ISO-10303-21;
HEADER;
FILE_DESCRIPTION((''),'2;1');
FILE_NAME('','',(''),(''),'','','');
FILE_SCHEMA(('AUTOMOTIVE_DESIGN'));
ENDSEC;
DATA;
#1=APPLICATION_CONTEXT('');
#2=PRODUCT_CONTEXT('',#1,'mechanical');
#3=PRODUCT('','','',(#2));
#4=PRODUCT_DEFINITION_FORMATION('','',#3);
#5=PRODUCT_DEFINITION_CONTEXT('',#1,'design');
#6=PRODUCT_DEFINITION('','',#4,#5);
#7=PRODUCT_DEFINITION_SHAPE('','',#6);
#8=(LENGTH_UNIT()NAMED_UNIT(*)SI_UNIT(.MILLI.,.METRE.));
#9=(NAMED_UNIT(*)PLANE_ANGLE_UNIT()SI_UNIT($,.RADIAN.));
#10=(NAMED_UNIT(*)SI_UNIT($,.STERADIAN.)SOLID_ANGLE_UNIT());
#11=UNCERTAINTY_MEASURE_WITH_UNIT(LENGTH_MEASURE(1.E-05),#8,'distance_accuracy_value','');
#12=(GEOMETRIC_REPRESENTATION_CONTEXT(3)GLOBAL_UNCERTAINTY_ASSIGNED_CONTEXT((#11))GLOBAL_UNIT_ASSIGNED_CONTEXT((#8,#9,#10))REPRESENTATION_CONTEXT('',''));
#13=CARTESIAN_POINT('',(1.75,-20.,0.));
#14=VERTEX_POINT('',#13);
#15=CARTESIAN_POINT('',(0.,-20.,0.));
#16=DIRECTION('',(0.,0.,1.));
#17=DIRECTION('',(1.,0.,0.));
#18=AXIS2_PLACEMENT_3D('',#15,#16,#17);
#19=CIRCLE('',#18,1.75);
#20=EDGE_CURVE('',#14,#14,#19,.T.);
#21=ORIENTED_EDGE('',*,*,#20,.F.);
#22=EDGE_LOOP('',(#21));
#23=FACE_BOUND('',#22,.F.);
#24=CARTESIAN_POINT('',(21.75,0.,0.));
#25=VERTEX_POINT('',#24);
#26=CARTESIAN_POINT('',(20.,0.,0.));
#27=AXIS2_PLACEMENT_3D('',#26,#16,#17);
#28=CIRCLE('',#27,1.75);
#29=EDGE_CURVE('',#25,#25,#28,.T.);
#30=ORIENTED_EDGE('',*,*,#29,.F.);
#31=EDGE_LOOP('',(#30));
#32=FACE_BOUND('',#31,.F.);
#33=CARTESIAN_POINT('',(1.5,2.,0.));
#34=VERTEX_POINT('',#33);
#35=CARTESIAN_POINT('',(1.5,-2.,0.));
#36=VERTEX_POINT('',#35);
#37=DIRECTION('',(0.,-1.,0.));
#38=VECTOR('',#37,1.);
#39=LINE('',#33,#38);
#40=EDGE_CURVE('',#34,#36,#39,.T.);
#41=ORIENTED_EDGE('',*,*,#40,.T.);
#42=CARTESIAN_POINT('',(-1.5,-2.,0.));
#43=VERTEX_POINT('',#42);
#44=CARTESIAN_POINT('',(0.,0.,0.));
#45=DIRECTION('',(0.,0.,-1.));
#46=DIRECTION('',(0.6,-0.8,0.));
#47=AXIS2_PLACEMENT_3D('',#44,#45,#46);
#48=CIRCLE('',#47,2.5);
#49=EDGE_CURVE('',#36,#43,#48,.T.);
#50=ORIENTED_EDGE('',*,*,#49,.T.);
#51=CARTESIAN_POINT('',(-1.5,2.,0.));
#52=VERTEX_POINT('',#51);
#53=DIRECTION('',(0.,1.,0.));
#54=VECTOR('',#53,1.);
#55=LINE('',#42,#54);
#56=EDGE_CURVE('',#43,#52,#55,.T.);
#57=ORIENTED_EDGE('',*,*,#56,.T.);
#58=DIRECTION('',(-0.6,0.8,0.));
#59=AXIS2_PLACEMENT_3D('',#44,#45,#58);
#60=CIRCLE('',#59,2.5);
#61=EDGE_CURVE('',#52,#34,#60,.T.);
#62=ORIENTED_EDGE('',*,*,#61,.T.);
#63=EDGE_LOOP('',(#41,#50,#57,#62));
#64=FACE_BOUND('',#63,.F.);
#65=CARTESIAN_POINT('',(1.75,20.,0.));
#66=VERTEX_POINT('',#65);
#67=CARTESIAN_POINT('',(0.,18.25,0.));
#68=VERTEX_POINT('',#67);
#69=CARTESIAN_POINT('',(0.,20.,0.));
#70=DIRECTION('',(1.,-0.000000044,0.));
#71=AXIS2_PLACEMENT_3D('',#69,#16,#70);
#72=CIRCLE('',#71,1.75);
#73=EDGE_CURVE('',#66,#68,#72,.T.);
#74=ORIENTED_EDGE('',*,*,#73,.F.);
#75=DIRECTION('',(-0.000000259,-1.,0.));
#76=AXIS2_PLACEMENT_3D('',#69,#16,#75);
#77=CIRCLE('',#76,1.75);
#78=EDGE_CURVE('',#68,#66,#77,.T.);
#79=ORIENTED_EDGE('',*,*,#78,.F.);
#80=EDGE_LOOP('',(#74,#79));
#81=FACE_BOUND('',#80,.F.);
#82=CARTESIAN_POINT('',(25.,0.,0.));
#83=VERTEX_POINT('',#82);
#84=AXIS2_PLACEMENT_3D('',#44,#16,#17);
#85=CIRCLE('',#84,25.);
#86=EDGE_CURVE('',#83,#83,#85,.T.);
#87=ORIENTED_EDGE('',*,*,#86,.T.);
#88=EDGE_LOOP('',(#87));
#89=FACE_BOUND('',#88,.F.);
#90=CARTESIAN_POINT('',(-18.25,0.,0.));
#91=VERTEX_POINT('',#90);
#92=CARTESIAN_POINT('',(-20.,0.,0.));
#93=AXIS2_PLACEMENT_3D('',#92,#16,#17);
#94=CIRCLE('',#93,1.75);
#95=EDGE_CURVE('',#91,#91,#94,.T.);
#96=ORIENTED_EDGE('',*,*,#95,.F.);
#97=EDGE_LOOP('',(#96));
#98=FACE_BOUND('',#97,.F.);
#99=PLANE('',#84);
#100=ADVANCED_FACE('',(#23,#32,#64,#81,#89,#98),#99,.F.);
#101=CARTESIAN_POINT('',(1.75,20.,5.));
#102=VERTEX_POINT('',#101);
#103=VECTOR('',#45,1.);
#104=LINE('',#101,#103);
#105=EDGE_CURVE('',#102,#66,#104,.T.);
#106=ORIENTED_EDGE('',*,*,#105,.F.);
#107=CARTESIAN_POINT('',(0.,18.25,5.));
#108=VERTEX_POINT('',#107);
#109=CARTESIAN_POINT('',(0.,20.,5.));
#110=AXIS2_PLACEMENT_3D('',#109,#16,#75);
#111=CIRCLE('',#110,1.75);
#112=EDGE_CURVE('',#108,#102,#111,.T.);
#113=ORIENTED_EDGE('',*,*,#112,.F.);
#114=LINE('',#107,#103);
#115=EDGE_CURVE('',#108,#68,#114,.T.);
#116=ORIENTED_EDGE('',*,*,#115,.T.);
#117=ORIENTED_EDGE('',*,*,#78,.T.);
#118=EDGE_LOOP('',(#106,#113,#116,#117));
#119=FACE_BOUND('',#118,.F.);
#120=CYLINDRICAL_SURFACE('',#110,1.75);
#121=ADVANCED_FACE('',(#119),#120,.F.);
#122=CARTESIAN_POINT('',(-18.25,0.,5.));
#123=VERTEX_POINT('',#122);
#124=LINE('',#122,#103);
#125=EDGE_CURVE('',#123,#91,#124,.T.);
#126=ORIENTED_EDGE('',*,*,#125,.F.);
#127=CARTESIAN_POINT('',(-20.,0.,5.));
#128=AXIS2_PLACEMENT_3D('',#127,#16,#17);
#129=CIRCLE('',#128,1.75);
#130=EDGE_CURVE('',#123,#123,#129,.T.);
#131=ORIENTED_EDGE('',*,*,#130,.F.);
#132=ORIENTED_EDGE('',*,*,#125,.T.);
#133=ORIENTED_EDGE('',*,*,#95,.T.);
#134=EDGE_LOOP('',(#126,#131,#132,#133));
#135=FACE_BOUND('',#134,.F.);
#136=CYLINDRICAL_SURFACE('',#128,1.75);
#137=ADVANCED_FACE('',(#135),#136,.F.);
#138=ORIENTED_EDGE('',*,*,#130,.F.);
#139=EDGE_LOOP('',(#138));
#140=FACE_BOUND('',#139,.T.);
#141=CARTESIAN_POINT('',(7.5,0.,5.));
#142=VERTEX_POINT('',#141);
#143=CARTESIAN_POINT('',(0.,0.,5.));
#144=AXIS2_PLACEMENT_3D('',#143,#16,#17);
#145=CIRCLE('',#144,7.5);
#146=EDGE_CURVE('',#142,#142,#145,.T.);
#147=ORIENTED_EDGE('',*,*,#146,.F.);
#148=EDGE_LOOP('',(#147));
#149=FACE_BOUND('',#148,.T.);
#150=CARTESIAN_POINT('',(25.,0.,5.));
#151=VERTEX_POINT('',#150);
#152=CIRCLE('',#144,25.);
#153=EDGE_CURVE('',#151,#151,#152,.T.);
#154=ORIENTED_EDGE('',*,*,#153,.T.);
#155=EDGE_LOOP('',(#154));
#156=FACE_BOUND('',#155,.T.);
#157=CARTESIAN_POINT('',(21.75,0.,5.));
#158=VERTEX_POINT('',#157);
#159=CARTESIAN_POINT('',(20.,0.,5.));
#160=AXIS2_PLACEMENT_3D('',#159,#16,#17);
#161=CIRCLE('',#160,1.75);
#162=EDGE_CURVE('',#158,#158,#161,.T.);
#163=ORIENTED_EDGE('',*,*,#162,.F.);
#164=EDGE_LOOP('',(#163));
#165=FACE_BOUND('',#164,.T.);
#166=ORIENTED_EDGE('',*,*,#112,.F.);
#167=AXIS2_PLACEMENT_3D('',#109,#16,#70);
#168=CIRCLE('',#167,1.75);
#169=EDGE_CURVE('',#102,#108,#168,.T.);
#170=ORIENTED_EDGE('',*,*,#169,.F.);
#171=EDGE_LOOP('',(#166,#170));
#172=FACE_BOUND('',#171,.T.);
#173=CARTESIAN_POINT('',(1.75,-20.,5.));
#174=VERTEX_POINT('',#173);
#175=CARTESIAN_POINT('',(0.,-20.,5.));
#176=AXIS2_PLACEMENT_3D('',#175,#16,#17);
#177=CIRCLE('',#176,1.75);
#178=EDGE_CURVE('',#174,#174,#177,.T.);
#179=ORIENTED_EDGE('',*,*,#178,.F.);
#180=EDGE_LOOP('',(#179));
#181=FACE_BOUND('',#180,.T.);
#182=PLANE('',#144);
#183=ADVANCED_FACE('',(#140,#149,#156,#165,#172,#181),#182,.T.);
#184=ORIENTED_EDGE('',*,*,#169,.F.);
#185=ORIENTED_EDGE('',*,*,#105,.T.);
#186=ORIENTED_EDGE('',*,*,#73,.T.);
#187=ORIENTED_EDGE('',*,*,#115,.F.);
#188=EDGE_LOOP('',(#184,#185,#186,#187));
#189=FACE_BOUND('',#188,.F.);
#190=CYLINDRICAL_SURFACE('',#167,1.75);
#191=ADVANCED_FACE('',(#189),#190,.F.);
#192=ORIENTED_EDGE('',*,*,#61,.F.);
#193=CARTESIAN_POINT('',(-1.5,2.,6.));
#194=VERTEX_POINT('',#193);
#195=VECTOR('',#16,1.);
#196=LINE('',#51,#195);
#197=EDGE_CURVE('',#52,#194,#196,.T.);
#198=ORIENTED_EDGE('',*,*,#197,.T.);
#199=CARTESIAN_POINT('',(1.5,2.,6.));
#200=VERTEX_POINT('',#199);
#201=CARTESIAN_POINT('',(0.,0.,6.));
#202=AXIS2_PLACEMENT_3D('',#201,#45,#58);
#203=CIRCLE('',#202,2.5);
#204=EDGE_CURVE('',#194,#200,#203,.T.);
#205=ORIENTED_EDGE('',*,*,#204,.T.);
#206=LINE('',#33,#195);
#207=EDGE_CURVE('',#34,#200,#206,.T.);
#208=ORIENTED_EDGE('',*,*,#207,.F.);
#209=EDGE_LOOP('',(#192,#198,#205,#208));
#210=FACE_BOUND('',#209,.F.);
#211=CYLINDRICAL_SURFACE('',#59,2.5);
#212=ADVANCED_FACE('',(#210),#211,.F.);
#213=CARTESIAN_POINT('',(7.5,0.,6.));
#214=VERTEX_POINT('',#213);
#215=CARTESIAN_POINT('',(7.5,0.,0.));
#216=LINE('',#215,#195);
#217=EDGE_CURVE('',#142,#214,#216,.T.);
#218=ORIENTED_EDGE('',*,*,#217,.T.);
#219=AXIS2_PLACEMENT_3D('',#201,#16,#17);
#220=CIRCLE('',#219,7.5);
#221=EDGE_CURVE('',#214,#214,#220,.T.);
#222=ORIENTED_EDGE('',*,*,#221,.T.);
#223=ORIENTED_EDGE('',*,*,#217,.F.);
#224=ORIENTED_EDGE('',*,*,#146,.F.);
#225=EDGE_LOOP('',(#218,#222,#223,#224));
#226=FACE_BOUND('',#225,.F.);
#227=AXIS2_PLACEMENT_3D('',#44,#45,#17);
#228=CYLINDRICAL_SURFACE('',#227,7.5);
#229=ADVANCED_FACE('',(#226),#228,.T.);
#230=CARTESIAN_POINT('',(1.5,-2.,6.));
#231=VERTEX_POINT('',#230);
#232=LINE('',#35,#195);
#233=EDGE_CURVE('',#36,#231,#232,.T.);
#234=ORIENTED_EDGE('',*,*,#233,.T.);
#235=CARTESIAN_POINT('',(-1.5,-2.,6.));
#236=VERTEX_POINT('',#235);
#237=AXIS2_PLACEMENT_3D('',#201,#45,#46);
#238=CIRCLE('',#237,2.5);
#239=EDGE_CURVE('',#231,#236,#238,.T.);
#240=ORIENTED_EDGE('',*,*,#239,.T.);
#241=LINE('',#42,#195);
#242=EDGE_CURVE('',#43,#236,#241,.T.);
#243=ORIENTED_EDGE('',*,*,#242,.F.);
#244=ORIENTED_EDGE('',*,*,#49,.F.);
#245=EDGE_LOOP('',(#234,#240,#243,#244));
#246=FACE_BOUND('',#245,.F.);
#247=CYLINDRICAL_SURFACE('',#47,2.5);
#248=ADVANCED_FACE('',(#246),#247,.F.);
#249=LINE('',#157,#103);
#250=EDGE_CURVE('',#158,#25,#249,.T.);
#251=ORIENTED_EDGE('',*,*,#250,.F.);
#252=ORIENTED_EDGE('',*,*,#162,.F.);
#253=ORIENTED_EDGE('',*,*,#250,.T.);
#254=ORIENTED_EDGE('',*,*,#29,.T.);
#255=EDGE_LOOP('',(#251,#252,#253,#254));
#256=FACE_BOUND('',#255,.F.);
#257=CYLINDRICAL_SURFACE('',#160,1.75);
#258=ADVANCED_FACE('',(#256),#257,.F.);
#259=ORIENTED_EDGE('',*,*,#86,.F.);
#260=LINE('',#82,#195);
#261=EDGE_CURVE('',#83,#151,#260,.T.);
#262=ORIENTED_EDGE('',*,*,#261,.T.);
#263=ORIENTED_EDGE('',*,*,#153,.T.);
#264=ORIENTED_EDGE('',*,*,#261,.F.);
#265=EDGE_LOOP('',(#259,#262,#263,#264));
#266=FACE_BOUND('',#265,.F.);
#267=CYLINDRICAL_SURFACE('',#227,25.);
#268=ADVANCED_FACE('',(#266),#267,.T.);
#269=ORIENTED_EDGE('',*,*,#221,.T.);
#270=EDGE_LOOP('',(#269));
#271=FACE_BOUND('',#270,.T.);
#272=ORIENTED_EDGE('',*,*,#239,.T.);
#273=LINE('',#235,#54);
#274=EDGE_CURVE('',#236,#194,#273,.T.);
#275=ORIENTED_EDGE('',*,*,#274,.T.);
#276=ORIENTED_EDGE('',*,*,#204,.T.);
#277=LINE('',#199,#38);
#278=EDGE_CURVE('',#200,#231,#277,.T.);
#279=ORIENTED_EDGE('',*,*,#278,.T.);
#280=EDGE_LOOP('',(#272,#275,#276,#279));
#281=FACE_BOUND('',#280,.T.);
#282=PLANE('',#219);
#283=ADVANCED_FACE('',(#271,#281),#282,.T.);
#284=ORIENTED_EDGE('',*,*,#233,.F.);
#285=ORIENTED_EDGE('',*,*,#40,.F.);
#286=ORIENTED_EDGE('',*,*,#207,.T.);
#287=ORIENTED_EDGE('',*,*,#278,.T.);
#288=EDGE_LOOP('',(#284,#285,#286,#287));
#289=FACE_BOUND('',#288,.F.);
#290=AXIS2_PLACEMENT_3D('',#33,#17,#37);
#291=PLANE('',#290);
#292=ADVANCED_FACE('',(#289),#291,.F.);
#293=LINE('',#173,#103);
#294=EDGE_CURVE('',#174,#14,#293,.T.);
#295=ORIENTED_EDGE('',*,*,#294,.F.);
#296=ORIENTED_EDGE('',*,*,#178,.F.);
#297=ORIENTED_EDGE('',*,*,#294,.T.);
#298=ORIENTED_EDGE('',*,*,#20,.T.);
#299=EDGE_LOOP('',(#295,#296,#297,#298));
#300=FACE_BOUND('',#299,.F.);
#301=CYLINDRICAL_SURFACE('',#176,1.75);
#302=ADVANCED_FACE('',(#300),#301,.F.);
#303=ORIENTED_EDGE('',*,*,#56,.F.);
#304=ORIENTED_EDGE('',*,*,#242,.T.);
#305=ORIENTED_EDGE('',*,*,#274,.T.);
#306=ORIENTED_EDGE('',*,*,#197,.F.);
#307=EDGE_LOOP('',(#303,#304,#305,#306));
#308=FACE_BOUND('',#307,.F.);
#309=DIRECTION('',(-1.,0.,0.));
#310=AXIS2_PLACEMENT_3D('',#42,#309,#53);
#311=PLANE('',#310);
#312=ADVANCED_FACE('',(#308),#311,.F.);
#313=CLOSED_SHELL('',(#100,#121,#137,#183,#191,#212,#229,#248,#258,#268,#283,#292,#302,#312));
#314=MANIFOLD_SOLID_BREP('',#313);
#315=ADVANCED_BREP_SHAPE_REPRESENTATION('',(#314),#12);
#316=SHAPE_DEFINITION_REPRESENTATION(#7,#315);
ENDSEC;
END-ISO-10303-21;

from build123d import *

# Parameters (mm, degrees)
F0_R     = 7.5
F0_R_2   = 25
F1_DEPTH = 5
F2_DEPTH = 6
F3_R     = 1.75
F4_DEPTH = 5


with BuildPart() as f1:
    # F0 (on Top) → F1 (new body)
    with BuildSketch(Plane.XY):
        Circle(F0_R)
        with BuildLine():
            ThreePointArc((1.5, -2), (0, -2.5), (-1.5, -2))
            Line((-1.5, -2), (-1.5, 2))
            ThreePointArc((-1.5, 2), (0, 2.5), (1.5, 2))
            Line((1.5, 2), (1.5, -2))
        make_face(mode=Mode.SUBTRACT)
        Circle(F0_R_2)
        Circle(F0_R, mode=Mode.SUBTRACT)
    extrude(amount=F1_DEPTH)

    # F0 (on Top) → F2 (join)
    with BuildSketch(Plane.XY):
        Circle(F0_R)
        with BuildLine():
            ThreePointArc((1.5, -2), (0, -2.5), (-1.5, -2))
            Line((-1.5, -2), (-1.5, 2))
            ThreePointArc((-1.5, 2), (0, 2.5), (1.5, 2))
            Line((1.5, 2), (1.5, -2))
        make_face(mode=Mode.SUBTRACT)
    extrude(amount=F2_DEPTH)

    # F3 (on face) → F4 (cut)
    with BuildSketch(Plane.XY.offset(5)):
        with BuildLine():
            ThreePointArc((0, 18.25), (1.237437, 18.762563), (1.75, 20))
            ThreePointArc((1.75, 20), (-1.237437, 21.237437), (0, 18.25))
        make_face()
        with Locations((20, 0)):
            Circle(F3_R)
        with Locations((0, -20)):
            Circle(F3_R)
        with Locations((-20, 0)):
            Circle(F3_R)
    extrude(amount=-F4_DEPTH, mode=Mode.SUBTRACT)


solid = f1.part
